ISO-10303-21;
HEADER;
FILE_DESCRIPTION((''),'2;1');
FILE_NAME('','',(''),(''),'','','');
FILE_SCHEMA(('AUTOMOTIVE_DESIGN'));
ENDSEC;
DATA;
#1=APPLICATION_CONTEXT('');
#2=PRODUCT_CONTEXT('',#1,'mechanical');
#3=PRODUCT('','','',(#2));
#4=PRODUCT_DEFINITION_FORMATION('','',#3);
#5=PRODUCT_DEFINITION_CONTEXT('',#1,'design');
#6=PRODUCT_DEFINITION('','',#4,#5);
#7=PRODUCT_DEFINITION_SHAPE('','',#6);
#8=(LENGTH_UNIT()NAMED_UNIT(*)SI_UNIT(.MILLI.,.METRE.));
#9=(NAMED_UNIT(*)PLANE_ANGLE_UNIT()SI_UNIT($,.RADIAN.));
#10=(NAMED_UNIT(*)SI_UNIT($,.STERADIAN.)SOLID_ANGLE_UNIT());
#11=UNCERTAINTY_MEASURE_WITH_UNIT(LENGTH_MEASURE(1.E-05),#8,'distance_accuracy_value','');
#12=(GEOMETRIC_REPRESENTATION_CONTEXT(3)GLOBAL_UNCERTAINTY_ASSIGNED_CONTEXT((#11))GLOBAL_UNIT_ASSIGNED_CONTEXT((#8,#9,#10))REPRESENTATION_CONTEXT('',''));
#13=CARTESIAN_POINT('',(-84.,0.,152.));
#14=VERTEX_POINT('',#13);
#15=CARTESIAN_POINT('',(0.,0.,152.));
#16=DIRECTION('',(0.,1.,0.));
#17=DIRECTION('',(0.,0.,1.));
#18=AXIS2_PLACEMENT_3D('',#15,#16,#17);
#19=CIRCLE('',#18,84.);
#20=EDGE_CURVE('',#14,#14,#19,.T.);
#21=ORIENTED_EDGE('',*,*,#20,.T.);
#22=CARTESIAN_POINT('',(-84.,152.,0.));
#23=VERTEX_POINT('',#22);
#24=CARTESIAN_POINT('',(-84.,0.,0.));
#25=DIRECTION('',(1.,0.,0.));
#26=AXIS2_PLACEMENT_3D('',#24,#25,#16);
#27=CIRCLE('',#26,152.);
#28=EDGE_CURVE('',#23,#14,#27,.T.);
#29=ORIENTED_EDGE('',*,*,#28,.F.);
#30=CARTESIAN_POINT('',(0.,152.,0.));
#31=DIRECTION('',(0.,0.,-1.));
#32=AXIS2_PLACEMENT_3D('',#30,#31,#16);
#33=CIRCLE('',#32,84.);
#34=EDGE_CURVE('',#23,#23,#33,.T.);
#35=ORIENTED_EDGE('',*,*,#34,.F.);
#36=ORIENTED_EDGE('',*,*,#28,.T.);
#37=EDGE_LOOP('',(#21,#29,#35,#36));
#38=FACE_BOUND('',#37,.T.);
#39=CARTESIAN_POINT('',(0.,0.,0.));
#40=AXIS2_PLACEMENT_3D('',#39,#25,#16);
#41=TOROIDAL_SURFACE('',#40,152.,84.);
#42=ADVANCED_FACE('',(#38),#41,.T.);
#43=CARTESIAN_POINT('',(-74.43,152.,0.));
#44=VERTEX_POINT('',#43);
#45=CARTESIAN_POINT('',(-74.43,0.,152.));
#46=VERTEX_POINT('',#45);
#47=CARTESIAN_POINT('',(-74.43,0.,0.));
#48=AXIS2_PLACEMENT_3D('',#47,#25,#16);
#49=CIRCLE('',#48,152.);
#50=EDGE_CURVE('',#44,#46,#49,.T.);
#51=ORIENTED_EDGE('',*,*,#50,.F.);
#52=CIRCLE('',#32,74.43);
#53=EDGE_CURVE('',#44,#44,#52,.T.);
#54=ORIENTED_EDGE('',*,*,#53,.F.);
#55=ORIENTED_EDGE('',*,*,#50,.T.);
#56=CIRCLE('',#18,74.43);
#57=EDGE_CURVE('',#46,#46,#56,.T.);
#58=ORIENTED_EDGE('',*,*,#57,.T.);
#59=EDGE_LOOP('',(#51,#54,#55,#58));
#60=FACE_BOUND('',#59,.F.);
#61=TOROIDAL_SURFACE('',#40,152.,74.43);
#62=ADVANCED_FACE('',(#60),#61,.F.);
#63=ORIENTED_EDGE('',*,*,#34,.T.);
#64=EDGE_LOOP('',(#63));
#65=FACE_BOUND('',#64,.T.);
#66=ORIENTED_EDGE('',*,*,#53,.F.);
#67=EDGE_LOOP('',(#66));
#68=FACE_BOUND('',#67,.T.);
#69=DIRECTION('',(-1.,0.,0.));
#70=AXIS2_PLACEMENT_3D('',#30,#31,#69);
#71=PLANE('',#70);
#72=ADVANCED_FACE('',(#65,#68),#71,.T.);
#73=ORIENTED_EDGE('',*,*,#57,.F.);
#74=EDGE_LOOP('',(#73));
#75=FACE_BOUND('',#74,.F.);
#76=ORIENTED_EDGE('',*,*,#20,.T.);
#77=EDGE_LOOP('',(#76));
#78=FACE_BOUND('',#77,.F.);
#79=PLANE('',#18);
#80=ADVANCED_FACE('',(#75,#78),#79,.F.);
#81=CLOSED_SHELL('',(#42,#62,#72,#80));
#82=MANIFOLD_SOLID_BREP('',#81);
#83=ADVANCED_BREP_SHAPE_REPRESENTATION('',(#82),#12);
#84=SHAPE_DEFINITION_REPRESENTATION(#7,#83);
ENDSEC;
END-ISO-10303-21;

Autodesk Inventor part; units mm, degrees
ref_plane "YZ Plane" through (0, 0, 0) normal (1, 0, 0) x (0, 1, 0)
ref_plane "XZ Plane" through (0, 0, 0) normal (0, 1, 0) x (-1, 0, 0)
ref_plane "XY Plane" through (0, 0, 0) normal (0, 0, 1) x (1, 0, 0)
sketch "Sketch4" plane through (0, 0, 0) normal (1, 0, 0) x (0, 1, 0)
  arc A0 (229, 0) -> (0, 229) centre (0, 0) ccw
  dimension "d23" = 229
sketch "Sketch3" plane through (0, 0, 0) normal (0, 1, 0) x (-1, 0, 0)
  circle A0 centre (0, 152) radius 84
  circle A1 centre (0, 152) radius 74.43
  point P0 (0, 0)
  dimension "d27" = 168
  dimension "d28" = 9.57
sweep "Sweep6" add profiles "Sketch3" path "Sketch4"
properties part number "joelho 90 4 inch ANSI B16.9"
